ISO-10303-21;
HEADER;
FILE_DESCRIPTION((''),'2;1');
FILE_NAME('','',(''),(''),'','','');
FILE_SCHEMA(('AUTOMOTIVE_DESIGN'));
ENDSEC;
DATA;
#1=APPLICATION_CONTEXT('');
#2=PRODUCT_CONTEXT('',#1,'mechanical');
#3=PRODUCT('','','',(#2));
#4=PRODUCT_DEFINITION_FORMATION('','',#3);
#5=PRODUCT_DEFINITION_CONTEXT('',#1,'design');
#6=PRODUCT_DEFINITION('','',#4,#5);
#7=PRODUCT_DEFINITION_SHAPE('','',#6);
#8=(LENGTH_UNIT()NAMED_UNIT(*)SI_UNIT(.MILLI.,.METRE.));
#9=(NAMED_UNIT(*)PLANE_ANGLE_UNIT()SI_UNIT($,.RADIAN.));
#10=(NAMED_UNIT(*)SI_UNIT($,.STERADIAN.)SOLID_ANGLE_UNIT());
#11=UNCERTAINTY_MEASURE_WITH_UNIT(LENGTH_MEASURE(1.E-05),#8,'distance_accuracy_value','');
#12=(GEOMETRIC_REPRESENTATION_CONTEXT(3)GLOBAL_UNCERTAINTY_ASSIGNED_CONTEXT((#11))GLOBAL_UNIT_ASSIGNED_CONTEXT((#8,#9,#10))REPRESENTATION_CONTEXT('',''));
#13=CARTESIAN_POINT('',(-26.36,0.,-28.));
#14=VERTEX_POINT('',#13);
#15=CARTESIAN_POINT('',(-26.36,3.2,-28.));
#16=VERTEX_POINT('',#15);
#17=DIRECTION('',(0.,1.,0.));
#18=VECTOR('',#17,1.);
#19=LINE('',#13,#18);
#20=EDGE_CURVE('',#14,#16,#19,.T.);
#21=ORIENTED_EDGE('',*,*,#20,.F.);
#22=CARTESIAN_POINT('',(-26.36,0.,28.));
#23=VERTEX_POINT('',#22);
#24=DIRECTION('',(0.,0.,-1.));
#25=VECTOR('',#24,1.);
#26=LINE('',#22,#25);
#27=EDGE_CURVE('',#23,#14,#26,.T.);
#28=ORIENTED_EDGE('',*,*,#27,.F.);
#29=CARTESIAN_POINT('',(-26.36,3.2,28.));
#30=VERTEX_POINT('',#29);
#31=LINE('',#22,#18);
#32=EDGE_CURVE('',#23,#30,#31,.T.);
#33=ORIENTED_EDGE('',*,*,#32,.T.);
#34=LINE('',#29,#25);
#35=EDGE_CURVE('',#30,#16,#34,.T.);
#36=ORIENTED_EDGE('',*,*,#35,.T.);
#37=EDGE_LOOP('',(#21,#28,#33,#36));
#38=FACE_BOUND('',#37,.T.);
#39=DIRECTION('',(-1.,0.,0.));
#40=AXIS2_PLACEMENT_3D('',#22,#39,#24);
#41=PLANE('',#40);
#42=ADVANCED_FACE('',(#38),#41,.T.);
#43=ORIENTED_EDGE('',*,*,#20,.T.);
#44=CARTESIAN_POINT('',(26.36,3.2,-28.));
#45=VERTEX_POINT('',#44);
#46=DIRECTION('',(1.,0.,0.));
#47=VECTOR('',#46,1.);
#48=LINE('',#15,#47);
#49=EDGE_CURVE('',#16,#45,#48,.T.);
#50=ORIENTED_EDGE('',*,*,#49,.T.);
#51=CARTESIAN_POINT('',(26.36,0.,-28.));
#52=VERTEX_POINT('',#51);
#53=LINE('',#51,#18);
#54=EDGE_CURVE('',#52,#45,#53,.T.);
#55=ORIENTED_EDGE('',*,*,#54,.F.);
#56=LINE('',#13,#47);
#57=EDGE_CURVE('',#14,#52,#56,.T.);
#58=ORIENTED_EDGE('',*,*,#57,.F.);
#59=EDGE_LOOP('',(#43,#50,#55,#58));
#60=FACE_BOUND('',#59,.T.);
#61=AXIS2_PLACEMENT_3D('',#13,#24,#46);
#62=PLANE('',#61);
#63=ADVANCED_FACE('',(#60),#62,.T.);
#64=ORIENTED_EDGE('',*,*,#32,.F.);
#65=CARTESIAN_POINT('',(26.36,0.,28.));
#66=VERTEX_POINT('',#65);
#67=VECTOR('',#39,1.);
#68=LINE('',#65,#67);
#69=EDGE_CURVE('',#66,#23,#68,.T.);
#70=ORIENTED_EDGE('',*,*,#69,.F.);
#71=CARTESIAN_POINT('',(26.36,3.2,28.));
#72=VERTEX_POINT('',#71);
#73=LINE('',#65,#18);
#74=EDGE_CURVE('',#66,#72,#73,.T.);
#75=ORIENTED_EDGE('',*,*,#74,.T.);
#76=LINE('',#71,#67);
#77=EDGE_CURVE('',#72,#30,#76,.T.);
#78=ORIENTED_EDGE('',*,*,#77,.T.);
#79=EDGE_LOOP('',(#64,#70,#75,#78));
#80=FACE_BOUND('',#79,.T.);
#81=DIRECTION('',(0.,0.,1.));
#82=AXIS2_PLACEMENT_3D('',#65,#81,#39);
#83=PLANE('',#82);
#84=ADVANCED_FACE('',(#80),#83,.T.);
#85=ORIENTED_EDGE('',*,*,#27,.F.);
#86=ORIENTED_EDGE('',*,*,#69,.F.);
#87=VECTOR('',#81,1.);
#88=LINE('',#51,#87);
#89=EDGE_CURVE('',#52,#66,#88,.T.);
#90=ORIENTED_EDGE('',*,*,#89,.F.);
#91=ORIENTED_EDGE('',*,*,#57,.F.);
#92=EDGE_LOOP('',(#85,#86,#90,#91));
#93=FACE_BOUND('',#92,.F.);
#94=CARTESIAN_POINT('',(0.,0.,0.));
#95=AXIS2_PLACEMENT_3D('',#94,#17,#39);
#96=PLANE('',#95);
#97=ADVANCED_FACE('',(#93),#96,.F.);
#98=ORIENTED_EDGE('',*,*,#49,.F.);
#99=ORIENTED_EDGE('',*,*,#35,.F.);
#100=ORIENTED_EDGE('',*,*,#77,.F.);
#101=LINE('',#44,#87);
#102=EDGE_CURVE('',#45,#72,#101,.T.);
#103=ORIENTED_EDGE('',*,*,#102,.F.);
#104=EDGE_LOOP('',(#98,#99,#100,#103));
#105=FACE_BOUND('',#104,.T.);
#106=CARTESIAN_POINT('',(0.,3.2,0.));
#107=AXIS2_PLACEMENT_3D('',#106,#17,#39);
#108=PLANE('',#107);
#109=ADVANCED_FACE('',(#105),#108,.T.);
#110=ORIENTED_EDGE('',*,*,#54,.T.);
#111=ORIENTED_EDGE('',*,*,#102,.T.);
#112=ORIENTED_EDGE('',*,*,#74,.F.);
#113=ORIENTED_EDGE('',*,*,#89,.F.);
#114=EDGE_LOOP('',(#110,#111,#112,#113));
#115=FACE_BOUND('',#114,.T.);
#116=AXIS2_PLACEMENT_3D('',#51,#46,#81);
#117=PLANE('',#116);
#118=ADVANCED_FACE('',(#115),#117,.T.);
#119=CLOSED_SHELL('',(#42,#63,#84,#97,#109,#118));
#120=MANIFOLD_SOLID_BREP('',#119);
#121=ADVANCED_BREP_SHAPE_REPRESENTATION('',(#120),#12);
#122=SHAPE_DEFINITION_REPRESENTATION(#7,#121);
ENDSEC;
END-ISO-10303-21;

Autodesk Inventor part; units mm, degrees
ref_plane "YZ Plane" through (0, 0, 0) normal (1, 0, 0) x (0, 1, 0)
ref_plane "XZ Plane" through (0, 0, 0) normal (0, 1, 0) x (-1, 0, 0)
ref_plane "XY Plane" through (0, 0, 0) normal (0, 0, 1) x (1, 0, 0)
sketch "Sketch1" plane through (0, 0, 0) normal (0, 1, 0) x (-1, 0, 0)
  line L0 (-26.36, 28) -> (26.36, 28)
  line L1 (26.36, 28) -> (26.36, -28)
  line L2 (26.36, -28) -> (-26.36, -28)
  line L3 (-26.36, -28) -> (-26.36, 28)
  line L4 (-26.36, 28) -> (26.36, -28) construction
  line L5 (26.36, 28) -> (-26.36, -28) construction
  point P0 (0, 0)
  dimension "d0" = 56
  dimension "d1" = 52.72
extrude "Extrusion1" add sketch "Sketch1" along normal blind 3.2
properties part number "BaseTop"
